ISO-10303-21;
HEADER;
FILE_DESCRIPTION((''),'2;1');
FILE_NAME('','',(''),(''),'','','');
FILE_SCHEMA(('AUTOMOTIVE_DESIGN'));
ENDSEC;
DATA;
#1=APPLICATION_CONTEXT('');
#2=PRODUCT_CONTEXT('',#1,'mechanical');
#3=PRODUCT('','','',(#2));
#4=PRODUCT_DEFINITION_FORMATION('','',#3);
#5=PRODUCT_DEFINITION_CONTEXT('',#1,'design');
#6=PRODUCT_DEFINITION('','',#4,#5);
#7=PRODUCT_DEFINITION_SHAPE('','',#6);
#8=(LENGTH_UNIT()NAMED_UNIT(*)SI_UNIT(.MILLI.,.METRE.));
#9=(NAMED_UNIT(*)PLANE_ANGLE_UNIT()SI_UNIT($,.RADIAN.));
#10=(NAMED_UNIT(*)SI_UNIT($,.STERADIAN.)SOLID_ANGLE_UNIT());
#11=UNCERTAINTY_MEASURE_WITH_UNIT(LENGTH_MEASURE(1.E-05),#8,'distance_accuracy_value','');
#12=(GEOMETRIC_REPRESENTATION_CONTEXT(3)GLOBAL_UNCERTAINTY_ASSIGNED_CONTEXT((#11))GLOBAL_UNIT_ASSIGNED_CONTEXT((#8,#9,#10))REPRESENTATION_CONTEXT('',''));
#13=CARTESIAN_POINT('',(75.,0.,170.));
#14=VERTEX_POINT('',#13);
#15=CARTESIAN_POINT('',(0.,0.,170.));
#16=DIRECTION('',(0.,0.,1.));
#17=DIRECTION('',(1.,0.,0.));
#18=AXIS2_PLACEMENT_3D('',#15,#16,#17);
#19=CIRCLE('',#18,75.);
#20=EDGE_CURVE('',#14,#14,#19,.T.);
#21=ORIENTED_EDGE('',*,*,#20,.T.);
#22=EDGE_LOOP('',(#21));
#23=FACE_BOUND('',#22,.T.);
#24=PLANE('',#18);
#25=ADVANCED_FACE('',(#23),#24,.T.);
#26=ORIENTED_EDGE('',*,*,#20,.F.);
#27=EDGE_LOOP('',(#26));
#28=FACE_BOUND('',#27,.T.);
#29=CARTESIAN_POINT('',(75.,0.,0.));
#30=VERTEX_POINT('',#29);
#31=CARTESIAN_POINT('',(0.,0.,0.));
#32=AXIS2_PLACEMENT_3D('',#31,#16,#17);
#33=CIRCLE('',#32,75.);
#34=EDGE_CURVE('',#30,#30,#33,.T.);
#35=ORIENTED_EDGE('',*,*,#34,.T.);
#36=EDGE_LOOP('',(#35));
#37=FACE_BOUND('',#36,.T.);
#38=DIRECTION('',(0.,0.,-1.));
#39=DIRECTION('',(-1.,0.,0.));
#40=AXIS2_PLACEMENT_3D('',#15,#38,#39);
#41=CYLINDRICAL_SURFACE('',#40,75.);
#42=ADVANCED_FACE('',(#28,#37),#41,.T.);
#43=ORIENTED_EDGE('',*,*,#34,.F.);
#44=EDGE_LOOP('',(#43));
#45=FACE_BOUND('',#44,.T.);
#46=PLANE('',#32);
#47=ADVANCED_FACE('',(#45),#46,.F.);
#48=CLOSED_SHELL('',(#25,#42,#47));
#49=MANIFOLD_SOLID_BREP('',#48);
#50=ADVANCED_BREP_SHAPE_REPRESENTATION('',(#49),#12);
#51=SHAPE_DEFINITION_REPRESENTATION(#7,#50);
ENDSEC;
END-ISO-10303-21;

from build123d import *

# Parameters (mm, degrees)
SKETCH1_R           = 75
BOSS_EXTRUDE1_DEPTH = 170


with BuildPart() as part:
    # Sketch1 → Boss-Extrude1 (new body)
    with BuildSketch(Plane.XY):
        Circle(SKETCH1_R)
    extrude(amount=BOSS_EXTRUDE1_DEPTH)


solid = part.part
